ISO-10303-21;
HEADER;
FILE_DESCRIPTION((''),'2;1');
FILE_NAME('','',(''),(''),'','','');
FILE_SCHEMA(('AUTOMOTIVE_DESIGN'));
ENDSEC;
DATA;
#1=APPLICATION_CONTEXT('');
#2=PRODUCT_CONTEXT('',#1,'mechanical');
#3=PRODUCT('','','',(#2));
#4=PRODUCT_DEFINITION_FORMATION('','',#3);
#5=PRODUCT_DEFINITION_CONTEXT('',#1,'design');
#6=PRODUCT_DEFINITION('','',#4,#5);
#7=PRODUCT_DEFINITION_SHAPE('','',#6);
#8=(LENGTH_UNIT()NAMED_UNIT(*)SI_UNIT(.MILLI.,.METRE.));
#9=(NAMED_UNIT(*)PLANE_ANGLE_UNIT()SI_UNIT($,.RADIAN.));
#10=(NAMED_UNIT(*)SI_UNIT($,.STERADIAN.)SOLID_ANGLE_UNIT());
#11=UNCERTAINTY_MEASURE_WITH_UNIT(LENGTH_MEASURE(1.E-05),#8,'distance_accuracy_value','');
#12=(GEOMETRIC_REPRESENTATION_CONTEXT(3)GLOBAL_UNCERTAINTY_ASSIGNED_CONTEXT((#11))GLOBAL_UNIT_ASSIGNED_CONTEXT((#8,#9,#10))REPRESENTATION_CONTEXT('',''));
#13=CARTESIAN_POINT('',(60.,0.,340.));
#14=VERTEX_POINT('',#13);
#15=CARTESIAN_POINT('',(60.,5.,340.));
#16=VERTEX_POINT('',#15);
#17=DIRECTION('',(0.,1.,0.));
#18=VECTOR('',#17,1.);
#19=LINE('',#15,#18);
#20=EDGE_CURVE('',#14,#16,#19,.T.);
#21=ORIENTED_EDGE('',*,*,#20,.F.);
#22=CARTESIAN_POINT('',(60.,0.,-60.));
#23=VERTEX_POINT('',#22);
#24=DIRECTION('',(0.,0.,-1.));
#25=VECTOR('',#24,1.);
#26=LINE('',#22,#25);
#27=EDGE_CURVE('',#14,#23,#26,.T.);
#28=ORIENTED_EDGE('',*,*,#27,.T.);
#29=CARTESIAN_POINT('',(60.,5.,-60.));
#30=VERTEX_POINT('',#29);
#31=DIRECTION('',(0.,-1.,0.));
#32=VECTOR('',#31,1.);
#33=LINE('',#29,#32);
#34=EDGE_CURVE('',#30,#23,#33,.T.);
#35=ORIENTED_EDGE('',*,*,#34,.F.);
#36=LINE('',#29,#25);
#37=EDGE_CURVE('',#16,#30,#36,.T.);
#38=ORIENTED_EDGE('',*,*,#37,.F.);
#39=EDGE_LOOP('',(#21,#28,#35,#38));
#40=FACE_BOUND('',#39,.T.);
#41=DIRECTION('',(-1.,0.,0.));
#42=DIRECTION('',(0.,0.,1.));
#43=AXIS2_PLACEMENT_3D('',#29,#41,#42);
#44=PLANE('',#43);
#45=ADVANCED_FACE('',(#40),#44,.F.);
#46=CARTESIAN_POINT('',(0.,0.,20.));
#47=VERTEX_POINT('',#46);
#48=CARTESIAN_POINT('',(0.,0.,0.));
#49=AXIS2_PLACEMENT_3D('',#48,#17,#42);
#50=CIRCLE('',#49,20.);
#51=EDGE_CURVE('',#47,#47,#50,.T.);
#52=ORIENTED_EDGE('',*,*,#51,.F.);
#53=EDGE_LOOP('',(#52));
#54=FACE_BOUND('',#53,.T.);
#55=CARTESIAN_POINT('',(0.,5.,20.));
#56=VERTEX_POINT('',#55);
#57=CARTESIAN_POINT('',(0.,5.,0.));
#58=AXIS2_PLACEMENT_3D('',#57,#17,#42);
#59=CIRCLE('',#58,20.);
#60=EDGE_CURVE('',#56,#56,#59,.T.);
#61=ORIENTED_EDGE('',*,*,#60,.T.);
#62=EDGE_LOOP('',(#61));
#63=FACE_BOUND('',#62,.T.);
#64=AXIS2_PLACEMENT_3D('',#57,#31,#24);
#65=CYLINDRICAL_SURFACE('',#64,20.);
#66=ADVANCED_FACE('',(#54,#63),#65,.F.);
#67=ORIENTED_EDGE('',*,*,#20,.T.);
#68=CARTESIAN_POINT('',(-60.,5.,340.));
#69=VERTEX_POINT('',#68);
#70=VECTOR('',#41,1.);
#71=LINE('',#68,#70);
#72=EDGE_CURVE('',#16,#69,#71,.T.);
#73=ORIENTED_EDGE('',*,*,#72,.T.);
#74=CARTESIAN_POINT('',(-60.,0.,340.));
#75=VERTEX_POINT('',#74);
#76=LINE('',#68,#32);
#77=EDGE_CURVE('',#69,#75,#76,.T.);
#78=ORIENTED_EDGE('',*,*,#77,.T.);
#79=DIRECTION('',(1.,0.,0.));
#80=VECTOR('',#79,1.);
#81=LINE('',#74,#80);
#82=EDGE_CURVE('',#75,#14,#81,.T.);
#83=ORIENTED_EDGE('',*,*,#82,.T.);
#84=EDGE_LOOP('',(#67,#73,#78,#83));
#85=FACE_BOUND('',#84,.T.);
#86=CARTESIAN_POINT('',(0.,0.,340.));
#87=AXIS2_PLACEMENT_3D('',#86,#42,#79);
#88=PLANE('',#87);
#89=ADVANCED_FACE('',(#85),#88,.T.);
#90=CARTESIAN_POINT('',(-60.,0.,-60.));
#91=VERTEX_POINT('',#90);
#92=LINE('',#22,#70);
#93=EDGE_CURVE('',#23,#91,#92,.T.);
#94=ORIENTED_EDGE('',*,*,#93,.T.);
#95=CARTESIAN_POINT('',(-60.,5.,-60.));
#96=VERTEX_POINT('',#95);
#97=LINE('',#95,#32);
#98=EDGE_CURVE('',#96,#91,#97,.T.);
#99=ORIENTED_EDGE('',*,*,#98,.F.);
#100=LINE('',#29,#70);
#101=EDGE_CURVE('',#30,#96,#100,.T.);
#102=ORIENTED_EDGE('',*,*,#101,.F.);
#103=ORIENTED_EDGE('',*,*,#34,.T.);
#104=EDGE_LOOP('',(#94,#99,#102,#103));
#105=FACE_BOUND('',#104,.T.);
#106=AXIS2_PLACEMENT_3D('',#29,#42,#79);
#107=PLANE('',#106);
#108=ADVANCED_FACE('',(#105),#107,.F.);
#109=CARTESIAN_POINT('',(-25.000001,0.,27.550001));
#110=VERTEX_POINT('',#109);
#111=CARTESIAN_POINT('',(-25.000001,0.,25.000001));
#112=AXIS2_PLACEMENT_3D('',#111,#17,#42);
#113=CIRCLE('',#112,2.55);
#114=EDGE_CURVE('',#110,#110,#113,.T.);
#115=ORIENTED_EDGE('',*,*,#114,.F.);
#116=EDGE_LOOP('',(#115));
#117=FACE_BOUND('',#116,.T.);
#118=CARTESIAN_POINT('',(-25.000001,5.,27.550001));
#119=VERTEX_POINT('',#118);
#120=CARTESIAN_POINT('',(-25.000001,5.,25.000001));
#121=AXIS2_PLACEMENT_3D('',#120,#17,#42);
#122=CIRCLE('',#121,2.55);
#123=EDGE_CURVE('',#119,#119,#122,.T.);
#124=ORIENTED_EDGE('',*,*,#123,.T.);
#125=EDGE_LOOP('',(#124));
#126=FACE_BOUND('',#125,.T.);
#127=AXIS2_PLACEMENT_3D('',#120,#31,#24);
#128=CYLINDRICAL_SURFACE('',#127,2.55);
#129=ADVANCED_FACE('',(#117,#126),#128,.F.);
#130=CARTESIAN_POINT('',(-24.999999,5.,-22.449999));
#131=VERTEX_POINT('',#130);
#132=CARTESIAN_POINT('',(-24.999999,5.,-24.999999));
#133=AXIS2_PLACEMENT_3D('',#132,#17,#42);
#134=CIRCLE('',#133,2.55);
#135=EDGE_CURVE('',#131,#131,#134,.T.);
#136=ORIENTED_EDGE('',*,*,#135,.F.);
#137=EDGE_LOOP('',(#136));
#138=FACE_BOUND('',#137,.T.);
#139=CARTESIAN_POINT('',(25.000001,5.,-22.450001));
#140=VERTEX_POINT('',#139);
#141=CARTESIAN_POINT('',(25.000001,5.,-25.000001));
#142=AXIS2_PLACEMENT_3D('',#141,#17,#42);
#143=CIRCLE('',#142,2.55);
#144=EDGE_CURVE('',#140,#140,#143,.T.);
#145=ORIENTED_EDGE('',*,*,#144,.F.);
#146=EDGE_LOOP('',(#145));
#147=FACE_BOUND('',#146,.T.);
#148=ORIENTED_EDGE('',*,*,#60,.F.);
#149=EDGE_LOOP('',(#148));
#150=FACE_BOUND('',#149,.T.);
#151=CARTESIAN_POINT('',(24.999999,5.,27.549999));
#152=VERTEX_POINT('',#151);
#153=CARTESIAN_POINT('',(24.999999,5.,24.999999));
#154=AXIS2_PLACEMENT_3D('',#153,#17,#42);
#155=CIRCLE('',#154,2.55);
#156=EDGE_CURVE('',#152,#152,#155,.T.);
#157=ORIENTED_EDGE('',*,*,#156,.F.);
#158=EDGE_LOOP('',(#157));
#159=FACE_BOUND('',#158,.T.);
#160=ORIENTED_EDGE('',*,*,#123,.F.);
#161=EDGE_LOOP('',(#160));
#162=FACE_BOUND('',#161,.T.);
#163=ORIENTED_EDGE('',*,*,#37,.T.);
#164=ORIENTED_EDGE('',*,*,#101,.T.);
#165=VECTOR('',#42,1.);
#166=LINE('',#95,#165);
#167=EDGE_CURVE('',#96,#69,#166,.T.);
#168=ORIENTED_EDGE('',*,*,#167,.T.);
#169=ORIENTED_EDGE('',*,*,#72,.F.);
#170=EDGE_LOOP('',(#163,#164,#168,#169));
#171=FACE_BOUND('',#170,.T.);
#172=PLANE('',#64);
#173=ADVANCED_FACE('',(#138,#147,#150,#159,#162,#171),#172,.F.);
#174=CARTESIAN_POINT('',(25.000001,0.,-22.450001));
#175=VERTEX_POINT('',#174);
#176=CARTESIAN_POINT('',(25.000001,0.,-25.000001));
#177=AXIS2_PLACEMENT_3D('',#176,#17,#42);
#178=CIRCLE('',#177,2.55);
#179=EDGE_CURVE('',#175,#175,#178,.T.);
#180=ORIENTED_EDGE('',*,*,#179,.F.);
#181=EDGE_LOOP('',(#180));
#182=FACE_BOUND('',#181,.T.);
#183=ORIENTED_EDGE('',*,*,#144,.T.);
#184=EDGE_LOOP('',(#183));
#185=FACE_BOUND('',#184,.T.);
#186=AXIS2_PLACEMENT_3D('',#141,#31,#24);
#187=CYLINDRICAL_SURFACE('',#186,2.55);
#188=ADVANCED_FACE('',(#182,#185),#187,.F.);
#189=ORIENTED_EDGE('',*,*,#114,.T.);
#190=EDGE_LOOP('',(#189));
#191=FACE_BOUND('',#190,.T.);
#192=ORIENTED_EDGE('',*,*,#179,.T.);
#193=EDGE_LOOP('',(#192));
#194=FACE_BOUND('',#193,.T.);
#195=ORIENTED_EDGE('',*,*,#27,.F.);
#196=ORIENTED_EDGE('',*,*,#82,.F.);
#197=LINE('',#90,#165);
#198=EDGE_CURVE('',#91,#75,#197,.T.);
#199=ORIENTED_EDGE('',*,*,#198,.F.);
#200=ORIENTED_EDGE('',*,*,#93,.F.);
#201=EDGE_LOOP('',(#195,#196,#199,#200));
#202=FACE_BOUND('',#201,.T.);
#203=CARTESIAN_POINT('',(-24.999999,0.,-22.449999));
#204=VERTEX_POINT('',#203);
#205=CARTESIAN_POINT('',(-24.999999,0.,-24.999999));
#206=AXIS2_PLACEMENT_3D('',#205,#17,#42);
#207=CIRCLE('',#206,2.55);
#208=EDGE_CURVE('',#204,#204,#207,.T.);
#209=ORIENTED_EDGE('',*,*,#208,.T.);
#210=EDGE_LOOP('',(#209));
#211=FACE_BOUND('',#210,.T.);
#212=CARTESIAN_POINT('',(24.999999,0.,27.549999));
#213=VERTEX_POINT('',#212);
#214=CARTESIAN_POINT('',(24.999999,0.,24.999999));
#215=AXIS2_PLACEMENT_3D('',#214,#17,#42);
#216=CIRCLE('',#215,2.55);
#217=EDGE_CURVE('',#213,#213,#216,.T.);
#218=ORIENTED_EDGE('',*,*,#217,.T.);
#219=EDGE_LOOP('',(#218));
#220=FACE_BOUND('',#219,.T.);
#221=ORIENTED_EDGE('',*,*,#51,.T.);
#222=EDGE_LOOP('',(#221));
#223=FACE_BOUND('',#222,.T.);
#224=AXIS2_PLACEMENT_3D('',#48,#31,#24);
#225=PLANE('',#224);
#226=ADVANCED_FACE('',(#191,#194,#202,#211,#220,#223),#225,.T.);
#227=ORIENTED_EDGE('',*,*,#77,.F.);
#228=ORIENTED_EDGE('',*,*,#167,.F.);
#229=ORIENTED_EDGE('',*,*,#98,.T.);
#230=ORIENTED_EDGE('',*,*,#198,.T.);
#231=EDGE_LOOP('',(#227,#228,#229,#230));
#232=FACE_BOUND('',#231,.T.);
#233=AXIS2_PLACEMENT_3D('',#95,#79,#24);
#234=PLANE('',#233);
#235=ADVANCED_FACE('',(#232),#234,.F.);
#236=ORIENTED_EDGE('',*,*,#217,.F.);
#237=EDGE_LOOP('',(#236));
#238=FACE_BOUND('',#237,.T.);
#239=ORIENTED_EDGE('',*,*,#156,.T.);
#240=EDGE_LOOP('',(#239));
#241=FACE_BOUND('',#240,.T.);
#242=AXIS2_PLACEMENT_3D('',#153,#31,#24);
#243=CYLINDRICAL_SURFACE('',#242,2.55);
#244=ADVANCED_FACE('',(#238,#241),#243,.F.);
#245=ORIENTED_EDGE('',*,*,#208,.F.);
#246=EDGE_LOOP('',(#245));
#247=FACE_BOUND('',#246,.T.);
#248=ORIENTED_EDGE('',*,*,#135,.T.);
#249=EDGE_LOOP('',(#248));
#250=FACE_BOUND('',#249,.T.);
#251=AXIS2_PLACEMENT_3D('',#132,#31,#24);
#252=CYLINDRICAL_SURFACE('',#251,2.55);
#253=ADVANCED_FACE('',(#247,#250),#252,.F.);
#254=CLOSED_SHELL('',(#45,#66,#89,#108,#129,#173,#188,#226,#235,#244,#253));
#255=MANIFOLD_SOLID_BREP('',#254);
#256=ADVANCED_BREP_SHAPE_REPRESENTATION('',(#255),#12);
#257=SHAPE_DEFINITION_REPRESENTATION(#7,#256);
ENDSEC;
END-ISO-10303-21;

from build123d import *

# Parameters (mm, degrees)
SKETCH1_W           = 120
SKETCH1_H           = 120
SKETCH1_R           = 2.55
SKETCH1_R_2         = 20
BOSS_EXTRUDE1_DEPTH = 5
SKETCH2_W           = 120
SKETCH2_H           = 5
BOSS_EXTRUDE2_DEPTH = 280


with BuildPart() as part:
    # Sketch1 → Boss-Extrude1 (new body)
    with BuildSketch(Plane(origin=(0, 0, 0), x_dir=(1, 0, 0), z_dir=(0, 1, 0))):
        Rectangle(SKETCH1_W, SKETCH1_H)
        with Locations(Location((-25.000001015, -25.000001015, 0), (0, 0, 270))):
            Circle(SKETCH1_R, mode=Mode.SUBTRACT)
        with Locations(Location((24.999998985, -24.999998985, 0), (0, 0, 270))):
            Circle(SKETCH1_R, mode=Mode.SUBTRACT)
        with Locations(Location((25.000001015, 25.000001015, 0), (0, 0, 270))):
            Circle(SKETCH1_R, mode=Mode.SUBTRACT)
        with Locations(Location((-24.999998985, 24.999998985, 0), (0, 0, 270))):
            Circle(SKETCH1_R, mode=Mode.SUBTRACT)
        with Locations(Location((0, 0, 0), (0, 0, 270))):
            Circle(SKETCH1_R_2, mode=Mode.SUBTRACT)
    extrude(amount=BOSS_EXTRUDE1_DEPTH)

    # Sketch2 → Boss-Extrude2 (add)
    with BuildSketch(Plane.XY.offset(60)):
        with Locations((0, 2.5)):
            Rectangle(SKETCH2_W, SKETCH2_H)
    extrude(amount=BOSS_EXTRUDE2_DEPTH)


solid = part.part
